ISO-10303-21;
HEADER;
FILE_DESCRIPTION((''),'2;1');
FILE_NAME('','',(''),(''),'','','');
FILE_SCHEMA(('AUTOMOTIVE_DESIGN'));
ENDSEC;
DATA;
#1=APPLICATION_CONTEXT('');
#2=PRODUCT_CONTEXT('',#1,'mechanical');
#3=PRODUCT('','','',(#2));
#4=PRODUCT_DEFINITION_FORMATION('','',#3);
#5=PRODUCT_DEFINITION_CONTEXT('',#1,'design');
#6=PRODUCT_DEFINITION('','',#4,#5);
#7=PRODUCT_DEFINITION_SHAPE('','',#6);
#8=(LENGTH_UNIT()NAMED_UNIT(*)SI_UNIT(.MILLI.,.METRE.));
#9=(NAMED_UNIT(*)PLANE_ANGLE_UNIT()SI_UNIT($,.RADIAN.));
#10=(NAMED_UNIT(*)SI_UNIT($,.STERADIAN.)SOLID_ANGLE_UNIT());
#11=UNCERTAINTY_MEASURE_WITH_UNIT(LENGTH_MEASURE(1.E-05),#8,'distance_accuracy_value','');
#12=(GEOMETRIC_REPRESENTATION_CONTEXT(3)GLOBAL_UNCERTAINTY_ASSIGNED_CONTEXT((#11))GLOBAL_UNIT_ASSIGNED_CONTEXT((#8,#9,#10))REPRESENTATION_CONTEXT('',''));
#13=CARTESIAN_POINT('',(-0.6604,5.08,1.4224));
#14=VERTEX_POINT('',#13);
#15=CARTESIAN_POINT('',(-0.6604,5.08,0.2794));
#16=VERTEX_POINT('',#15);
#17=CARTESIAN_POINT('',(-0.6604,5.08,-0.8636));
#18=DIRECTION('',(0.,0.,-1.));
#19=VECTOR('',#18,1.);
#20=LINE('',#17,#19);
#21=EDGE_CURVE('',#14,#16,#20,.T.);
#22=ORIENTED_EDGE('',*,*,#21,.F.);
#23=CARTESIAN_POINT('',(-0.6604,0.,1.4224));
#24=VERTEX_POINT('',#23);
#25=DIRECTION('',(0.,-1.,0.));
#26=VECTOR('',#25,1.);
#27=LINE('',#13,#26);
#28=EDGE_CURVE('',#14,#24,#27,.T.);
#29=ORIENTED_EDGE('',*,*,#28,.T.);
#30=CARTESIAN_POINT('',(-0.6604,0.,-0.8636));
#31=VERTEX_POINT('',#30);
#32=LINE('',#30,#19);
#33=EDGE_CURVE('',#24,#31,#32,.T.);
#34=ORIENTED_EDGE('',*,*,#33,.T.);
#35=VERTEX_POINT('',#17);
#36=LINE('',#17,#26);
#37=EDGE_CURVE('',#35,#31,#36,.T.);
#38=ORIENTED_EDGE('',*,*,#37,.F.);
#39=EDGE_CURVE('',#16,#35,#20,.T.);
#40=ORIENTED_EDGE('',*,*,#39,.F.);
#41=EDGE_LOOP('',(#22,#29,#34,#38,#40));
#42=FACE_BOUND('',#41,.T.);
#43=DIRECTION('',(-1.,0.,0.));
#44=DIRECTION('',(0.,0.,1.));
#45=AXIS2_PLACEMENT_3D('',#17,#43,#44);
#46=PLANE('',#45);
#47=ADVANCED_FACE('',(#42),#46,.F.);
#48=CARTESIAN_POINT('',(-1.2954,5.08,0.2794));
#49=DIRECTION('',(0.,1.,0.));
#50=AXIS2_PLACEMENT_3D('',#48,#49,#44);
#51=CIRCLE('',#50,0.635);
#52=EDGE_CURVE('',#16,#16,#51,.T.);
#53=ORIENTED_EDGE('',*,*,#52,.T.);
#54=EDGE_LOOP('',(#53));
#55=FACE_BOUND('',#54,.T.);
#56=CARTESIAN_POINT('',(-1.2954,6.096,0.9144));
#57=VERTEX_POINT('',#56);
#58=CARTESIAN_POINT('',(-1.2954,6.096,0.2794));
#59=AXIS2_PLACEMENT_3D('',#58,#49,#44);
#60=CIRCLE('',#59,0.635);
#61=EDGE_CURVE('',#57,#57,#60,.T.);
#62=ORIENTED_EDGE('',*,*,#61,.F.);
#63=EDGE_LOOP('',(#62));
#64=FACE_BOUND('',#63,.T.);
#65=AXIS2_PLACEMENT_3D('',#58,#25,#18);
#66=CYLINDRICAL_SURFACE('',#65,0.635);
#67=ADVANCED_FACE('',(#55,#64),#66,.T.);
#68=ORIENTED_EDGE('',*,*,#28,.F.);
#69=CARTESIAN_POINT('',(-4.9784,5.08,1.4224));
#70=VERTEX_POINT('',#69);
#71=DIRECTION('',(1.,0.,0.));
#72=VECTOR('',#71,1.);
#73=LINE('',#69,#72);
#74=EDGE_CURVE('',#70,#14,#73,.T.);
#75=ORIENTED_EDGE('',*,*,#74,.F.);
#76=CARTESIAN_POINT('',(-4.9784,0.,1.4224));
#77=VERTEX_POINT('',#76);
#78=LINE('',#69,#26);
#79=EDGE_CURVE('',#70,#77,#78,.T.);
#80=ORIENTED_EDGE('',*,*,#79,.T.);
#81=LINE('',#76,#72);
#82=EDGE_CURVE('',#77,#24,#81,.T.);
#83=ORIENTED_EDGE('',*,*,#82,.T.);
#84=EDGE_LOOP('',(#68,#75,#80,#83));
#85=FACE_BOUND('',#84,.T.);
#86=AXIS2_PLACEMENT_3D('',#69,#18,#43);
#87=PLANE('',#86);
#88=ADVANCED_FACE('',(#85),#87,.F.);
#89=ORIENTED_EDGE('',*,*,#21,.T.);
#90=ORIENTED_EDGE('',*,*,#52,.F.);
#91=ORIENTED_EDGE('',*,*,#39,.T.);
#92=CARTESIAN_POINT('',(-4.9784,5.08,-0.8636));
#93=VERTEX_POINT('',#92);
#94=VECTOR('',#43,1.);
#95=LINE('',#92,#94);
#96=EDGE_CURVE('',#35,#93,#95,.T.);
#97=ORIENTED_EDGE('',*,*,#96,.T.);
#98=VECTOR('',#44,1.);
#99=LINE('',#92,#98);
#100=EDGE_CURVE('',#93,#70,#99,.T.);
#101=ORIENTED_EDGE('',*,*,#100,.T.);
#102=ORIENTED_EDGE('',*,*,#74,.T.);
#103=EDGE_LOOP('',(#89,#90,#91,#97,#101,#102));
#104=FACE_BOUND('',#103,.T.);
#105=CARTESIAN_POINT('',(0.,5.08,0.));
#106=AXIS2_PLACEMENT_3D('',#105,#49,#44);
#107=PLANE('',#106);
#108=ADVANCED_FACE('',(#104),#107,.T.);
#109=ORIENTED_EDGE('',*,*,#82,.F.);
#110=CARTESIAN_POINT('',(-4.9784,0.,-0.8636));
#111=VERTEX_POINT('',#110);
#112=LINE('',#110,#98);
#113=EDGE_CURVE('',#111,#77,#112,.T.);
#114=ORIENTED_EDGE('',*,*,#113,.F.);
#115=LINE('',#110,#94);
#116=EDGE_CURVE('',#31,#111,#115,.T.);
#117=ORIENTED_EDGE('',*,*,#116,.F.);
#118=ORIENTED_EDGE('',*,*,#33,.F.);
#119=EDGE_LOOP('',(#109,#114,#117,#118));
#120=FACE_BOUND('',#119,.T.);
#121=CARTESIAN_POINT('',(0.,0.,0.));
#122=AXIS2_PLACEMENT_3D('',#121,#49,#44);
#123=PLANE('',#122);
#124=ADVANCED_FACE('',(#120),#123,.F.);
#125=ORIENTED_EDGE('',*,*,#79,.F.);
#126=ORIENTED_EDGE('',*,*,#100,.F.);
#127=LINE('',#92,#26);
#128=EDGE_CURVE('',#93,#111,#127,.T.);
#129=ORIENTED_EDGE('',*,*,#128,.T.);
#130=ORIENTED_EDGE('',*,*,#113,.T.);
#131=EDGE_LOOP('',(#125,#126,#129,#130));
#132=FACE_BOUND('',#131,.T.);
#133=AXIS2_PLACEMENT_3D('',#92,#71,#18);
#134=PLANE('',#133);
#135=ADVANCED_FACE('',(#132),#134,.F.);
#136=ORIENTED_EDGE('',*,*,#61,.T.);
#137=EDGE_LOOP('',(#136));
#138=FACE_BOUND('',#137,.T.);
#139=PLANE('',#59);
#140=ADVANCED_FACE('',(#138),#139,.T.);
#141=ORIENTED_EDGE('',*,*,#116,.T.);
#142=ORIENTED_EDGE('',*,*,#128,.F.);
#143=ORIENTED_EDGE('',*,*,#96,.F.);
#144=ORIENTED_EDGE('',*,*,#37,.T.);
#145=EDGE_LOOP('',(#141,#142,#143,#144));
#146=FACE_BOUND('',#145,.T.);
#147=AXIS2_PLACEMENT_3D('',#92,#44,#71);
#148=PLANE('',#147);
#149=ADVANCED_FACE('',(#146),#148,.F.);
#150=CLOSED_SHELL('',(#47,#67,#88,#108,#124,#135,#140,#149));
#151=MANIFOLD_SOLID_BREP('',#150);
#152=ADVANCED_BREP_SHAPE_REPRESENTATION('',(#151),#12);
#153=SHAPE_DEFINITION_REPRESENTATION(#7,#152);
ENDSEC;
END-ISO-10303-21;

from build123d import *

# Parameters (mm, degrees)
SKETCH1_W           = 4.318
SKETCH1_H           = 2.286
BOSS_EXTRUDE1_DEPTH = 5.08
SKETCH2_R           = 0.635
BOSS_EXTRUDE2_DEPTH = 1.016


with BuildPart() as part:
    # Sketch1 → Boss-Extrude1 (new body)
    with BuildSketch(Plane(origin=(0, 0, 0), x_dir=(1, 0, 0), z_dir=(0, 1, 0))):
        with Locations((-2.8194, -0.2794)):
            Rectangle(SKETCH1_W, SKETCH1_H)
    extrude(amount=BOSS_EXTRUDE1_DEPTH)

    # Sketch2 → Boss-Extrude2 (add)
    with BuildSketch(Plane(origin=(0, 5.08, 0), x_dir=(1, 0, 0), z_dir=(0, 1, 0))):
        with Locations((-1.2954, -0.2794)):
            Circle(SKETCH2_R)
    extrude(amount=BOSS_EXTRUDE2_DEPTH)


solid = part.part
